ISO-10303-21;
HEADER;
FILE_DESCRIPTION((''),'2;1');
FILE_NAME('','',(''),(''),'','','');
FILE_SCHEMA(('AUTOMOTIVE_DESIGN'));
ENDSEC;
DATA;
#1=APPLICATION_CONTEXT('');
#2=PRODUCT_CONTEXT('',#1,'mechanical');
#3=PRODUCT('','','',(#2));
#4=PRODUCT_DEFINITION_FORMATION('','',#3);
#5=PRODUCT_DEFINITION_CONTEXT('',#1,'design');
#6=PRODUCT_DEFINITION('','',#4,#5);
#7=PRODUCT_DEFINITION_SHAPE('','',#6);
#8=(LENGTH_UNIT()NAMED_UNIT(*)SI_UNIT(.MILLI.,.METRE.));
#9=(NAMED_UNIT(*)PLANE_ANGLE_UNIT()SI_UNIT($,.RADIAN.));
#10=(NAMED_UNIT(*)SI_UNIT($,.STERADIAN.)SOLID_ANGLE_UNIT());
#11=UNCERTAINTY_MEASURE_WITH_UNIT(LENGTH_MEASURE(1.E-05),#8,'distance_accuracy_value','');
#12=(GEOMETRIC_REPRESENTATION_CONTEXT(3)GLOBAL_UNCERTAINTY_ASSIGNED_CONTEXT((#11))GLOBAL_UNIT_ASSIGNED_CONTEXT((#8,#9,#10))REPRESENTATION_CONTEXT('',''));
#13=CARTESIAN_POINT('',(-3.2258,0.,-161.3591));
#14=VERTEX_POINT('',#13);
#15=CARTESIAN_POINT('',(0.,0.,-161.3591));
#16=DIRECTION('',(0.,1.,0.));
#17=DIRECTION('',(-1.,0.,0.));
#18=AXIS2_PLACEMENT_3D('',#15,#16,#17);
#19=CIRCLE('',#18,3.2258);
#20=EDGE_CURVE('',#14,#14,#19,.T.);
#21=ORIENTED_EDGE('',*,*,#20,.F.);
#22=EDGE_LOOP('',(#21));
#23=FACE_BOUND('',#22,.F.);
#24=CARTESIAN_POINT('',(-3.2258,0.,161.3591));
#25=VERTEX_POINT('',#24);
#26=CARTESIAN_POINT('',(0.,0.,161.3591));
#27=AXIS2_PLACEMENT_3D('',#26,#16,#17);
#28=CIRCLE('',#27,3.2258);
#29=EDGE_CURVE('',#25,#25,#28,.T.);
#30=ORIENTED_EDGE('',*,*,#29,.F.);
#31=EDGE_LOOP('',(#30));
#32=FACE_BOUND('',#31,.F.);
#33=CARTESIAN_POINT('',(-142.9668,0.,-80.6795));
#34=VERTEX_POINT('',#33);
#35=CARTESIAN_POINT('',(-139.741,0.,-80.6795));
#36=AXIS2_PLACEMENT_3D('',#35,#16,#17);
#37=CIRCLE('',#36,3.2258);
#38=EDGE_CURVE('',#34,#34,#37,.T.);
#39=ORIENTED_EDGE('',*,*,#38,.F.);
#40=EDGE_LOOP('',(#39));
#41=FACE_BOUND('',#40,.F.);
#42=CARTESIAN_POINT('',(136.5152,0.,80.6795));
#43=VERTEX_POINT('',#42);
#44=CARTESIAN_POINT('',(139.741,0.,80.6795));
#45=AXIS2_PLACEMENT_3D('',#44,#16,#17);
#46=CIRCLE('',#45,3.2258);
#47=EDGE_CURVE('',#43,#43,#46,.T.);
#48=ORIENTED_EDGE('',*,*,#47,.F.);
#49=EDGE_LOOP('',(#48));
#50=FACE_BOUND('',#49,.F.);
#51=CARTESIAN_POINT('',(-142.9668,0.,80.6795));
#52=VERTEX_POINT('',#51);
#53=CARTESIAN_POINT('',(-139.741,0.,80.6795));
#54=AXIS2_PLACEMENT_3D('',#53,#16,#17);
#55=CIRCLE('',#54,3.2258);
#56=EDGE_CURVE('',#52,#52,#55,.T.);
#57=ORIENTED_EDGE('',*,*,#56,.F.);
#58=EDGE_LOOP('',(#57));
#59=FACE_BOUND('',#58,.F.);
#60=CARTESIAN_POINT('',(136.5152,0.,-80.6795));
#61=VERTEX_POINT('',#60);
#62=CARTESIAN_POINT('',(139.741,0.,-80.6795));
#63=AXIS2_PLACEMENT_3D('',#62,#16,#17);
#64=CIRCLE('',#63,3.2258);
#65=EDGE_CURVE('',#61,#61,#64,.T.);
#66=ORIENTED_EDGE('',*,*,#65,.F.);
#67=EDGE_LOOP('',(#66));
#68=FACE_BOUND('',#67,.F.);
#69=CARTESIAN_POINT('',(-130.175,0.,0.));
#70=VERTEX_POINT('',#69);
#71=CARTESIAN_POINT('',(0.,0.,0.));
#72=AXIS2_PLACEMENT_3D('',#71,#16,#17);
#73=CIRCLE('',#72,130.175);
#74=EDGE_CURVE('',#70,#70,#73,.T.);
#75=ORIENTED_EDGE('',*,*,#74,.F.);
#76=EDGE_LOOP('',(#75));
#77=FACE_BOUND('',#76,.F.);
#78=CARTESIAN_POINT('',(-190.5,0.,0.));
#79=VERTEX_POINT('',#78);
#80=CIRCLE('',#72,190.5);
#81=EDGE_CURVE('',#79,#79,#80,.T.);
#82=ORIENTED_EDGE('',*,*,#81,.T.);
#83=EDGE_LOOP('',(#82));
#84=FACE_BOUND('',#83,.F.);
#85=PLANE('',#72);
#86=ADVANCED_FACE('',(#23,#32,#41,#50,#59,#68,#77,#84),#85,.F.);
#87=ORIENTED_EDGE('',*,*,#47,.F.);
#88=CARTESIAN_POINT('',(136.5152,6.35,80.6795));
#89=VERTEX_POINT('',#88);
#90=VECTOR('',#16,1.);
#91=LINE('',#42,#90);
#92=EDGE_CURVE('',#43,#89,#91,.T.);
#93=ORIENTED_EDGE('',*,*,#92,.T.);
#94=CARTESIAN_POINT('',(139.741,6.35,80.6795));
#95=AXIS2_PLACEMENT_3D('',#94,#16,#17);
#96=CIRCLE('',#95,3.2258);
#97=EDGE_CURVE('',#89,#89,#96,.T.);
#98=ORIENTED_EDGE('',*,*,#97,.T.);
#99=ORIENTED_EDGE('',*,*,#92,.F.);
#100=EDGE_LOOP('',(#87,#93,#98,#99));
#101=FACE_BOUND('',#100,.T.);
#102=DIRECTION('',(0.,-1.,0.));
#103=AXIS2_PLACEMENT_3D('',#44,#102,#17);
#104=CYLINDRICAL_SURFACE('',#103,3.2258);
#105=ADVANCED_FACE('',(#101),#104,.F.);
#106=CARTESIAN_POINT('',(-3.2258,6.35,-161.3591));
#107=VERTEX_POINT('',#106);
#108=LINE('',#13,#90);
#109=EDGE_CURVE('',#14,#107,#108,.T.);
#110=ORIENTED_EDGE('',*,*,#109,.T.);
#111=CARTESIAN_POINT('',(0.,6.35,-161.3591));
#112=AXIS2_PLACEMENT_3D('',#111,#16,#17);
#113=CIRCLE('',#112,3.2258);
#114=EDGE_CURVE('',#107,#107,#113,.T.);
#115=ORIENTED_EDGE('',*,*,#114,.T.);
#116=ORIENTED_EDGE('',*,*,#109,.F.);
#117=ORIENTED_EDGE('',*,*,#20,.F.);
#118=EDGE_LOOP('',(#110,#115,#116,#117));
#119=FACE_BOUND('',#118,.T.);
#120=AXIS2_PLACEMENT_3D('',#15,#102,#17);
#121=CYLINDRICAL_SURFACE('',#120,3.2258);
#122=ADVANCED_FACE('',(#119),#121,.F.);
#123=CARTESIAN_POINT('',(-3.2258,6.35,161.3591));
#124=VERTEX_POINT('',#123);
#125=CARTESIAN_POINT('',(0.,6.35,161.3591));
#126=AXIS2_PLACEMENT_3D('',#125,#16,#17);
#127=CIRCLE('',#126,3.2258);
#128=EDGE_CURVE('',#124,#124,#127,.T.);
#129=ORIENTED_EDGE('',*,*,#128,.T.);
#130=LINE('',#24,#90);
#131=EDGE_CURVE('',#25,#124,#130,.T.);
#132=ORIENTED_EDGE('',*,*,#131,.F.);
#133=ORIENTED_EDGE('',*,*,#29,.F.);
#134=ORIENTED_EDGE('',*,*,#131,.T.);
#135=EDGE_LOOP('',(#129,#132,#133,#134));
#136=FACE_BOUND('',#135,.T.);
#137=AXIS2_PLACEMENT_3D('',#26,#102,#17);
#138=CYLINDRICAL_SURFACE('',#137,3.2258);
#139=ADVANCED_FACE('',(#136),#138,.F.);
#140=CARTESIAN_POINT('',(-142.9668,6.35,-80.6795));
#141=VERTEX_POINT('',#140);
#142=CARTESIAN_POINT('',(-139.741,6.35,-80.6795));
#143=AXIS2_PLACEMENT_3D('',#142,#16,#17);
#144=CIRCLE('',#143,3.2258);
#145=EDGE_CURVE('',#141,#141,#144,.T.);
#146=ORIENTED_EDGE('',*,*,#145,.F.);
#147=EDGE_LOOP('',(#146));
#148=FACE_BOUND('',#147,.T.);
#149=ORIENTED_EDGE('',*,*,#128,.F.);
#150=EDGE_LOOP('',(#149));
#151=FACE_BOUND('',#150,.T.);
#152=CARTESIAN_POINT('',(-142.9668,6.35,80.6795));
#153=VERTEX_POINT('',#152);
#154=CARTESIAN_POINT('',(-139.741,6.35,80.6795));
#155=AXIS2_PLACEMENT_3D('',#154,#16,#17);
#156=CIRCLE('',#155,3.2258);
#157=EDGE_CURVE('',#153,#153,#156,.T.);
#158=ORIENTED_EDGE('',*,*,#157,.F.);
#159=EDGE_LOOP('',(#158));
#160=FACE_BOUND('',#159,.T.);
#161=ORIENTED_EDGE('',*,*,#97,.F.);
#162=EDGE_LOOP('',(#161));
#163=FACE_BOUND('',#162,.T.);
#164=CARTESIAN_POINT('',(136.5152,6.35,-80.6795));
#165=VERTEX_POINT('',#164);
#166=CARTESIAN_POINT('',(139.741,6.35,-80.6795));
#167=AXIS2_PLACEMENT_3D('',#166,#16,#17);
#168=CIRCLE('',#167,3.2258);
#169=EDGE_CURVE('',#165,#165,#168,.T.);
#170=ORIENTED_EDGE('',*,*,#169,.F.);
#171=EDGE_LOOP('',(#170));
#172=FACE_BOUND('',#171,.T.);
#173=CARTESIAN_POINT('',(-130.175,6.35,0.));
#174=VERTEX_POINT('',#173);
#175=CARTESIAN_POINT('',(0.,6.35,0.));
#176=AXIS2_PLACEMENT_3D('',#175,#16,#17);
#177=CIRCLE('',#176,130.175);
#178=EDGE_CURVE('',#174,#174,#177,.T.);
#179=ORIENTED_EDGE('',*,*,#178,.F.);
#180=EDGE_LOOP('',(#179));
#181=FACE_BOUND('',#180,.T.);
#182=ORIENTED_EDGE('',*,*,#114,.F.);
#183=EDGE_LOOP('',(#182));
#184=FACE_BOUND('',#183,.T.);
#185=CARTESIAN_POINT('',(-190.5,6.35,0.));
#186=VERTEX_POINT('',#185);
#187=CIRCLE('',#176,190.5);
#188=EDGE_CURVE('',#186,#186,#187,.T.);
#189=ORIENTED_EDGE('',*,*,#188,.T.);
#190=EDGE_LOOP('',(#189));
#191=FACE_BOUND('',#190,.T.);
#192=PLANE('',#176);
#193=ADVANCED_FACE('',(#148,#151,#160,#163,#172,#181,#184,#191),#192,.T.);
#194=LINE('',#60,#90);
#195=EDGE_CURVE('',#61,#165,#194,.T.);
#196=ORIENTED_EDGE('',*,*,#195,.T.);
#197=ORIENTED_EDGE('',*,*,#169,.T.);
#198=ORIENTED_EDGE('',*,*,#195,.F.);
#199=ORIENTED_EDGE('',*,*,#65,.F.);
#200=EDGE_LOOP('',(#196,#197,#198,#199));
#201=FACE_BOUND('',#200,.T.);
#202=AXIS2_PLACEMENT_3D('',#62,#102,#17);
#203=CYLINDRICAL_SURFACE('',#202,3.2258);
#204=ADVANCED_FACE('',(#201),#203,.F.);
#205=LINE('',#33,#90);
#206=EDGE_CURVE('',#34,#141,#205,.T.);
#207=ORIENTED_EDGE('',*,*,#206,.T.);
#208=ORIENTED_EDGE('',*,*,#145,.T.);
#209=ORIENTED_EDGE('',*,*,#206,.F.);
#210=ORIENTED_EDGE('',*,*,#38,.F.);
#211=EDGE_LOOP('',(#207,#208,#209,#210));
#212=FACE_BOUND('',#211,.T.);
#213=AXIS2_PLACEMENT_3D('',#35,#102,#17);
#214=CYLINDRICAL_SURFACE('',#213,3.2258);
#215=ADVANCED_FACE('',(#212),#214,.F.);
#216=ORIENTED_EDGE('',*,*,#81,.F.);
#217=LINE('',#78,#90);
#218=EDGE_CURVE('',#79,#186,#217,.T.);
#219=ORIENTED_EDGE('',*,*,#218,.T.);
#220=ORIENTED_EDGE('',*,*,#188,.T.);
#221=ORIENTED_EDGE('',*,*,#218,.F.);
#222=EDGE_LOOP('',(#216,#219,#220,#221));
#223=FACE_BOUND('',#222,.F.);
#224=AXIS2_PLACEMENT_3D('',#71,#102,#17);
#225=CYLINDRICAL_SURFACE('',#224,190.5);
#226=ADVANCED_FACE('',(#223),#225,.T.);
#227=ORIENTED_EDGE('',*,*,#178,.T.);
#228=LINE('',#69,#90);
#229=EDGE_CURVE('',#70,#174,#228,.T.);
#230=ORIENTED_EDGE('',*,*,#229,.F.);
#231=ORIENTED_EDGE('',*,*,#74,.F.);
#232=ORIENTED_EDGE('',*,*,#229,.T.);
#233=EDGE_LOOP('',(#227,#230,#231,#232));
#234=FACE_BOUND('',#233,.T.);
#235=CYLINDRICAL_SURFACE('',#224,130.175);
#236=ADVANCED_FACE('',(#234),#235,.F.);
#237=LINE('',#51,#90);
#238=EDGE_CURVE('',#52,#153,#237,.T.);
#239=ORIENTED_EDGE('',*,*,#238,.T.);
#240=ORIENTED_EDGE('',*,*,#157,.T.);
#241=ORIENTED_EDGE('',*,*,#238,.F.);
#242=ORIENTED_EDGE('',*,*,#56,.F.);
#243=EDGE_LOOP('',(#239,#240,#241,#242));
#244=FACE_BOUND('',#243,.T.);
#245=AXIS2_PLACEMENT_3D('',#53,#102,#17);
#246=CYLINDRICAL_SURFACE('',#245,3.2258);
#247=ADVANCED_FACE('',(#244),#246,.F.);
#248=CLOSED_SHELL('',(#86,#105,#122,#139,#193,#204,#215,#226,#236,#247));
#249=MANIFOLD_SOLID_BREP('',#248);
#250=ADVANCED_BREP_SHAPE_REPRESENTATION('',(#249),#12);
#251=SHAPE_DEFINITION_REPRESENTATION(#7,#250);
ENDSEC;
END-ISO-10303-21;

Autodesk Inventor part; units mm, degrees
ref_plane "YZ Plane" through (0, 0, 0) normal (1, 0, 0) x (0, 1, 0)
ref_plane "XZ Plane" through (0, 0, 0) normal (0, 1, 0) x (-1, 0, 0)
ref_plane "XY Plane" through (0, 0, 0) normal (0, 0, 1) x (1, 0, 0)
sketch "Sketch1" plane through (0, 0, 0) normal (0, 1, 0) x (-1, 0, 0)
  circle A0 centre (0, 0) radius 190.5
  circle A1 centre (0, 0) radius 130.175
  circle A2 centre (0, -161.3591) radius 3.2258
  circle A3 centre (139.741, -80.6795) radius 3.2258
  circle A4 centre (139.741, 80.6795) radius 3.2258
  circle A5 centre (0, 161.3591) radius 3.2258
  circle A6 centre (-139.741, 80.6795) radius 3.2258
  circle A7 centre (-139.741, -80.6795) radius 3.2258
  dimension "d0" = 381
  dimension "d1" = 260.35
  dimension "d4" = 6.4516
  dimension "d7" = 360
extrude "Extrusion3" add sketch "Sketch1" along normal blind 6.35
properties part number "Turret Gear"
